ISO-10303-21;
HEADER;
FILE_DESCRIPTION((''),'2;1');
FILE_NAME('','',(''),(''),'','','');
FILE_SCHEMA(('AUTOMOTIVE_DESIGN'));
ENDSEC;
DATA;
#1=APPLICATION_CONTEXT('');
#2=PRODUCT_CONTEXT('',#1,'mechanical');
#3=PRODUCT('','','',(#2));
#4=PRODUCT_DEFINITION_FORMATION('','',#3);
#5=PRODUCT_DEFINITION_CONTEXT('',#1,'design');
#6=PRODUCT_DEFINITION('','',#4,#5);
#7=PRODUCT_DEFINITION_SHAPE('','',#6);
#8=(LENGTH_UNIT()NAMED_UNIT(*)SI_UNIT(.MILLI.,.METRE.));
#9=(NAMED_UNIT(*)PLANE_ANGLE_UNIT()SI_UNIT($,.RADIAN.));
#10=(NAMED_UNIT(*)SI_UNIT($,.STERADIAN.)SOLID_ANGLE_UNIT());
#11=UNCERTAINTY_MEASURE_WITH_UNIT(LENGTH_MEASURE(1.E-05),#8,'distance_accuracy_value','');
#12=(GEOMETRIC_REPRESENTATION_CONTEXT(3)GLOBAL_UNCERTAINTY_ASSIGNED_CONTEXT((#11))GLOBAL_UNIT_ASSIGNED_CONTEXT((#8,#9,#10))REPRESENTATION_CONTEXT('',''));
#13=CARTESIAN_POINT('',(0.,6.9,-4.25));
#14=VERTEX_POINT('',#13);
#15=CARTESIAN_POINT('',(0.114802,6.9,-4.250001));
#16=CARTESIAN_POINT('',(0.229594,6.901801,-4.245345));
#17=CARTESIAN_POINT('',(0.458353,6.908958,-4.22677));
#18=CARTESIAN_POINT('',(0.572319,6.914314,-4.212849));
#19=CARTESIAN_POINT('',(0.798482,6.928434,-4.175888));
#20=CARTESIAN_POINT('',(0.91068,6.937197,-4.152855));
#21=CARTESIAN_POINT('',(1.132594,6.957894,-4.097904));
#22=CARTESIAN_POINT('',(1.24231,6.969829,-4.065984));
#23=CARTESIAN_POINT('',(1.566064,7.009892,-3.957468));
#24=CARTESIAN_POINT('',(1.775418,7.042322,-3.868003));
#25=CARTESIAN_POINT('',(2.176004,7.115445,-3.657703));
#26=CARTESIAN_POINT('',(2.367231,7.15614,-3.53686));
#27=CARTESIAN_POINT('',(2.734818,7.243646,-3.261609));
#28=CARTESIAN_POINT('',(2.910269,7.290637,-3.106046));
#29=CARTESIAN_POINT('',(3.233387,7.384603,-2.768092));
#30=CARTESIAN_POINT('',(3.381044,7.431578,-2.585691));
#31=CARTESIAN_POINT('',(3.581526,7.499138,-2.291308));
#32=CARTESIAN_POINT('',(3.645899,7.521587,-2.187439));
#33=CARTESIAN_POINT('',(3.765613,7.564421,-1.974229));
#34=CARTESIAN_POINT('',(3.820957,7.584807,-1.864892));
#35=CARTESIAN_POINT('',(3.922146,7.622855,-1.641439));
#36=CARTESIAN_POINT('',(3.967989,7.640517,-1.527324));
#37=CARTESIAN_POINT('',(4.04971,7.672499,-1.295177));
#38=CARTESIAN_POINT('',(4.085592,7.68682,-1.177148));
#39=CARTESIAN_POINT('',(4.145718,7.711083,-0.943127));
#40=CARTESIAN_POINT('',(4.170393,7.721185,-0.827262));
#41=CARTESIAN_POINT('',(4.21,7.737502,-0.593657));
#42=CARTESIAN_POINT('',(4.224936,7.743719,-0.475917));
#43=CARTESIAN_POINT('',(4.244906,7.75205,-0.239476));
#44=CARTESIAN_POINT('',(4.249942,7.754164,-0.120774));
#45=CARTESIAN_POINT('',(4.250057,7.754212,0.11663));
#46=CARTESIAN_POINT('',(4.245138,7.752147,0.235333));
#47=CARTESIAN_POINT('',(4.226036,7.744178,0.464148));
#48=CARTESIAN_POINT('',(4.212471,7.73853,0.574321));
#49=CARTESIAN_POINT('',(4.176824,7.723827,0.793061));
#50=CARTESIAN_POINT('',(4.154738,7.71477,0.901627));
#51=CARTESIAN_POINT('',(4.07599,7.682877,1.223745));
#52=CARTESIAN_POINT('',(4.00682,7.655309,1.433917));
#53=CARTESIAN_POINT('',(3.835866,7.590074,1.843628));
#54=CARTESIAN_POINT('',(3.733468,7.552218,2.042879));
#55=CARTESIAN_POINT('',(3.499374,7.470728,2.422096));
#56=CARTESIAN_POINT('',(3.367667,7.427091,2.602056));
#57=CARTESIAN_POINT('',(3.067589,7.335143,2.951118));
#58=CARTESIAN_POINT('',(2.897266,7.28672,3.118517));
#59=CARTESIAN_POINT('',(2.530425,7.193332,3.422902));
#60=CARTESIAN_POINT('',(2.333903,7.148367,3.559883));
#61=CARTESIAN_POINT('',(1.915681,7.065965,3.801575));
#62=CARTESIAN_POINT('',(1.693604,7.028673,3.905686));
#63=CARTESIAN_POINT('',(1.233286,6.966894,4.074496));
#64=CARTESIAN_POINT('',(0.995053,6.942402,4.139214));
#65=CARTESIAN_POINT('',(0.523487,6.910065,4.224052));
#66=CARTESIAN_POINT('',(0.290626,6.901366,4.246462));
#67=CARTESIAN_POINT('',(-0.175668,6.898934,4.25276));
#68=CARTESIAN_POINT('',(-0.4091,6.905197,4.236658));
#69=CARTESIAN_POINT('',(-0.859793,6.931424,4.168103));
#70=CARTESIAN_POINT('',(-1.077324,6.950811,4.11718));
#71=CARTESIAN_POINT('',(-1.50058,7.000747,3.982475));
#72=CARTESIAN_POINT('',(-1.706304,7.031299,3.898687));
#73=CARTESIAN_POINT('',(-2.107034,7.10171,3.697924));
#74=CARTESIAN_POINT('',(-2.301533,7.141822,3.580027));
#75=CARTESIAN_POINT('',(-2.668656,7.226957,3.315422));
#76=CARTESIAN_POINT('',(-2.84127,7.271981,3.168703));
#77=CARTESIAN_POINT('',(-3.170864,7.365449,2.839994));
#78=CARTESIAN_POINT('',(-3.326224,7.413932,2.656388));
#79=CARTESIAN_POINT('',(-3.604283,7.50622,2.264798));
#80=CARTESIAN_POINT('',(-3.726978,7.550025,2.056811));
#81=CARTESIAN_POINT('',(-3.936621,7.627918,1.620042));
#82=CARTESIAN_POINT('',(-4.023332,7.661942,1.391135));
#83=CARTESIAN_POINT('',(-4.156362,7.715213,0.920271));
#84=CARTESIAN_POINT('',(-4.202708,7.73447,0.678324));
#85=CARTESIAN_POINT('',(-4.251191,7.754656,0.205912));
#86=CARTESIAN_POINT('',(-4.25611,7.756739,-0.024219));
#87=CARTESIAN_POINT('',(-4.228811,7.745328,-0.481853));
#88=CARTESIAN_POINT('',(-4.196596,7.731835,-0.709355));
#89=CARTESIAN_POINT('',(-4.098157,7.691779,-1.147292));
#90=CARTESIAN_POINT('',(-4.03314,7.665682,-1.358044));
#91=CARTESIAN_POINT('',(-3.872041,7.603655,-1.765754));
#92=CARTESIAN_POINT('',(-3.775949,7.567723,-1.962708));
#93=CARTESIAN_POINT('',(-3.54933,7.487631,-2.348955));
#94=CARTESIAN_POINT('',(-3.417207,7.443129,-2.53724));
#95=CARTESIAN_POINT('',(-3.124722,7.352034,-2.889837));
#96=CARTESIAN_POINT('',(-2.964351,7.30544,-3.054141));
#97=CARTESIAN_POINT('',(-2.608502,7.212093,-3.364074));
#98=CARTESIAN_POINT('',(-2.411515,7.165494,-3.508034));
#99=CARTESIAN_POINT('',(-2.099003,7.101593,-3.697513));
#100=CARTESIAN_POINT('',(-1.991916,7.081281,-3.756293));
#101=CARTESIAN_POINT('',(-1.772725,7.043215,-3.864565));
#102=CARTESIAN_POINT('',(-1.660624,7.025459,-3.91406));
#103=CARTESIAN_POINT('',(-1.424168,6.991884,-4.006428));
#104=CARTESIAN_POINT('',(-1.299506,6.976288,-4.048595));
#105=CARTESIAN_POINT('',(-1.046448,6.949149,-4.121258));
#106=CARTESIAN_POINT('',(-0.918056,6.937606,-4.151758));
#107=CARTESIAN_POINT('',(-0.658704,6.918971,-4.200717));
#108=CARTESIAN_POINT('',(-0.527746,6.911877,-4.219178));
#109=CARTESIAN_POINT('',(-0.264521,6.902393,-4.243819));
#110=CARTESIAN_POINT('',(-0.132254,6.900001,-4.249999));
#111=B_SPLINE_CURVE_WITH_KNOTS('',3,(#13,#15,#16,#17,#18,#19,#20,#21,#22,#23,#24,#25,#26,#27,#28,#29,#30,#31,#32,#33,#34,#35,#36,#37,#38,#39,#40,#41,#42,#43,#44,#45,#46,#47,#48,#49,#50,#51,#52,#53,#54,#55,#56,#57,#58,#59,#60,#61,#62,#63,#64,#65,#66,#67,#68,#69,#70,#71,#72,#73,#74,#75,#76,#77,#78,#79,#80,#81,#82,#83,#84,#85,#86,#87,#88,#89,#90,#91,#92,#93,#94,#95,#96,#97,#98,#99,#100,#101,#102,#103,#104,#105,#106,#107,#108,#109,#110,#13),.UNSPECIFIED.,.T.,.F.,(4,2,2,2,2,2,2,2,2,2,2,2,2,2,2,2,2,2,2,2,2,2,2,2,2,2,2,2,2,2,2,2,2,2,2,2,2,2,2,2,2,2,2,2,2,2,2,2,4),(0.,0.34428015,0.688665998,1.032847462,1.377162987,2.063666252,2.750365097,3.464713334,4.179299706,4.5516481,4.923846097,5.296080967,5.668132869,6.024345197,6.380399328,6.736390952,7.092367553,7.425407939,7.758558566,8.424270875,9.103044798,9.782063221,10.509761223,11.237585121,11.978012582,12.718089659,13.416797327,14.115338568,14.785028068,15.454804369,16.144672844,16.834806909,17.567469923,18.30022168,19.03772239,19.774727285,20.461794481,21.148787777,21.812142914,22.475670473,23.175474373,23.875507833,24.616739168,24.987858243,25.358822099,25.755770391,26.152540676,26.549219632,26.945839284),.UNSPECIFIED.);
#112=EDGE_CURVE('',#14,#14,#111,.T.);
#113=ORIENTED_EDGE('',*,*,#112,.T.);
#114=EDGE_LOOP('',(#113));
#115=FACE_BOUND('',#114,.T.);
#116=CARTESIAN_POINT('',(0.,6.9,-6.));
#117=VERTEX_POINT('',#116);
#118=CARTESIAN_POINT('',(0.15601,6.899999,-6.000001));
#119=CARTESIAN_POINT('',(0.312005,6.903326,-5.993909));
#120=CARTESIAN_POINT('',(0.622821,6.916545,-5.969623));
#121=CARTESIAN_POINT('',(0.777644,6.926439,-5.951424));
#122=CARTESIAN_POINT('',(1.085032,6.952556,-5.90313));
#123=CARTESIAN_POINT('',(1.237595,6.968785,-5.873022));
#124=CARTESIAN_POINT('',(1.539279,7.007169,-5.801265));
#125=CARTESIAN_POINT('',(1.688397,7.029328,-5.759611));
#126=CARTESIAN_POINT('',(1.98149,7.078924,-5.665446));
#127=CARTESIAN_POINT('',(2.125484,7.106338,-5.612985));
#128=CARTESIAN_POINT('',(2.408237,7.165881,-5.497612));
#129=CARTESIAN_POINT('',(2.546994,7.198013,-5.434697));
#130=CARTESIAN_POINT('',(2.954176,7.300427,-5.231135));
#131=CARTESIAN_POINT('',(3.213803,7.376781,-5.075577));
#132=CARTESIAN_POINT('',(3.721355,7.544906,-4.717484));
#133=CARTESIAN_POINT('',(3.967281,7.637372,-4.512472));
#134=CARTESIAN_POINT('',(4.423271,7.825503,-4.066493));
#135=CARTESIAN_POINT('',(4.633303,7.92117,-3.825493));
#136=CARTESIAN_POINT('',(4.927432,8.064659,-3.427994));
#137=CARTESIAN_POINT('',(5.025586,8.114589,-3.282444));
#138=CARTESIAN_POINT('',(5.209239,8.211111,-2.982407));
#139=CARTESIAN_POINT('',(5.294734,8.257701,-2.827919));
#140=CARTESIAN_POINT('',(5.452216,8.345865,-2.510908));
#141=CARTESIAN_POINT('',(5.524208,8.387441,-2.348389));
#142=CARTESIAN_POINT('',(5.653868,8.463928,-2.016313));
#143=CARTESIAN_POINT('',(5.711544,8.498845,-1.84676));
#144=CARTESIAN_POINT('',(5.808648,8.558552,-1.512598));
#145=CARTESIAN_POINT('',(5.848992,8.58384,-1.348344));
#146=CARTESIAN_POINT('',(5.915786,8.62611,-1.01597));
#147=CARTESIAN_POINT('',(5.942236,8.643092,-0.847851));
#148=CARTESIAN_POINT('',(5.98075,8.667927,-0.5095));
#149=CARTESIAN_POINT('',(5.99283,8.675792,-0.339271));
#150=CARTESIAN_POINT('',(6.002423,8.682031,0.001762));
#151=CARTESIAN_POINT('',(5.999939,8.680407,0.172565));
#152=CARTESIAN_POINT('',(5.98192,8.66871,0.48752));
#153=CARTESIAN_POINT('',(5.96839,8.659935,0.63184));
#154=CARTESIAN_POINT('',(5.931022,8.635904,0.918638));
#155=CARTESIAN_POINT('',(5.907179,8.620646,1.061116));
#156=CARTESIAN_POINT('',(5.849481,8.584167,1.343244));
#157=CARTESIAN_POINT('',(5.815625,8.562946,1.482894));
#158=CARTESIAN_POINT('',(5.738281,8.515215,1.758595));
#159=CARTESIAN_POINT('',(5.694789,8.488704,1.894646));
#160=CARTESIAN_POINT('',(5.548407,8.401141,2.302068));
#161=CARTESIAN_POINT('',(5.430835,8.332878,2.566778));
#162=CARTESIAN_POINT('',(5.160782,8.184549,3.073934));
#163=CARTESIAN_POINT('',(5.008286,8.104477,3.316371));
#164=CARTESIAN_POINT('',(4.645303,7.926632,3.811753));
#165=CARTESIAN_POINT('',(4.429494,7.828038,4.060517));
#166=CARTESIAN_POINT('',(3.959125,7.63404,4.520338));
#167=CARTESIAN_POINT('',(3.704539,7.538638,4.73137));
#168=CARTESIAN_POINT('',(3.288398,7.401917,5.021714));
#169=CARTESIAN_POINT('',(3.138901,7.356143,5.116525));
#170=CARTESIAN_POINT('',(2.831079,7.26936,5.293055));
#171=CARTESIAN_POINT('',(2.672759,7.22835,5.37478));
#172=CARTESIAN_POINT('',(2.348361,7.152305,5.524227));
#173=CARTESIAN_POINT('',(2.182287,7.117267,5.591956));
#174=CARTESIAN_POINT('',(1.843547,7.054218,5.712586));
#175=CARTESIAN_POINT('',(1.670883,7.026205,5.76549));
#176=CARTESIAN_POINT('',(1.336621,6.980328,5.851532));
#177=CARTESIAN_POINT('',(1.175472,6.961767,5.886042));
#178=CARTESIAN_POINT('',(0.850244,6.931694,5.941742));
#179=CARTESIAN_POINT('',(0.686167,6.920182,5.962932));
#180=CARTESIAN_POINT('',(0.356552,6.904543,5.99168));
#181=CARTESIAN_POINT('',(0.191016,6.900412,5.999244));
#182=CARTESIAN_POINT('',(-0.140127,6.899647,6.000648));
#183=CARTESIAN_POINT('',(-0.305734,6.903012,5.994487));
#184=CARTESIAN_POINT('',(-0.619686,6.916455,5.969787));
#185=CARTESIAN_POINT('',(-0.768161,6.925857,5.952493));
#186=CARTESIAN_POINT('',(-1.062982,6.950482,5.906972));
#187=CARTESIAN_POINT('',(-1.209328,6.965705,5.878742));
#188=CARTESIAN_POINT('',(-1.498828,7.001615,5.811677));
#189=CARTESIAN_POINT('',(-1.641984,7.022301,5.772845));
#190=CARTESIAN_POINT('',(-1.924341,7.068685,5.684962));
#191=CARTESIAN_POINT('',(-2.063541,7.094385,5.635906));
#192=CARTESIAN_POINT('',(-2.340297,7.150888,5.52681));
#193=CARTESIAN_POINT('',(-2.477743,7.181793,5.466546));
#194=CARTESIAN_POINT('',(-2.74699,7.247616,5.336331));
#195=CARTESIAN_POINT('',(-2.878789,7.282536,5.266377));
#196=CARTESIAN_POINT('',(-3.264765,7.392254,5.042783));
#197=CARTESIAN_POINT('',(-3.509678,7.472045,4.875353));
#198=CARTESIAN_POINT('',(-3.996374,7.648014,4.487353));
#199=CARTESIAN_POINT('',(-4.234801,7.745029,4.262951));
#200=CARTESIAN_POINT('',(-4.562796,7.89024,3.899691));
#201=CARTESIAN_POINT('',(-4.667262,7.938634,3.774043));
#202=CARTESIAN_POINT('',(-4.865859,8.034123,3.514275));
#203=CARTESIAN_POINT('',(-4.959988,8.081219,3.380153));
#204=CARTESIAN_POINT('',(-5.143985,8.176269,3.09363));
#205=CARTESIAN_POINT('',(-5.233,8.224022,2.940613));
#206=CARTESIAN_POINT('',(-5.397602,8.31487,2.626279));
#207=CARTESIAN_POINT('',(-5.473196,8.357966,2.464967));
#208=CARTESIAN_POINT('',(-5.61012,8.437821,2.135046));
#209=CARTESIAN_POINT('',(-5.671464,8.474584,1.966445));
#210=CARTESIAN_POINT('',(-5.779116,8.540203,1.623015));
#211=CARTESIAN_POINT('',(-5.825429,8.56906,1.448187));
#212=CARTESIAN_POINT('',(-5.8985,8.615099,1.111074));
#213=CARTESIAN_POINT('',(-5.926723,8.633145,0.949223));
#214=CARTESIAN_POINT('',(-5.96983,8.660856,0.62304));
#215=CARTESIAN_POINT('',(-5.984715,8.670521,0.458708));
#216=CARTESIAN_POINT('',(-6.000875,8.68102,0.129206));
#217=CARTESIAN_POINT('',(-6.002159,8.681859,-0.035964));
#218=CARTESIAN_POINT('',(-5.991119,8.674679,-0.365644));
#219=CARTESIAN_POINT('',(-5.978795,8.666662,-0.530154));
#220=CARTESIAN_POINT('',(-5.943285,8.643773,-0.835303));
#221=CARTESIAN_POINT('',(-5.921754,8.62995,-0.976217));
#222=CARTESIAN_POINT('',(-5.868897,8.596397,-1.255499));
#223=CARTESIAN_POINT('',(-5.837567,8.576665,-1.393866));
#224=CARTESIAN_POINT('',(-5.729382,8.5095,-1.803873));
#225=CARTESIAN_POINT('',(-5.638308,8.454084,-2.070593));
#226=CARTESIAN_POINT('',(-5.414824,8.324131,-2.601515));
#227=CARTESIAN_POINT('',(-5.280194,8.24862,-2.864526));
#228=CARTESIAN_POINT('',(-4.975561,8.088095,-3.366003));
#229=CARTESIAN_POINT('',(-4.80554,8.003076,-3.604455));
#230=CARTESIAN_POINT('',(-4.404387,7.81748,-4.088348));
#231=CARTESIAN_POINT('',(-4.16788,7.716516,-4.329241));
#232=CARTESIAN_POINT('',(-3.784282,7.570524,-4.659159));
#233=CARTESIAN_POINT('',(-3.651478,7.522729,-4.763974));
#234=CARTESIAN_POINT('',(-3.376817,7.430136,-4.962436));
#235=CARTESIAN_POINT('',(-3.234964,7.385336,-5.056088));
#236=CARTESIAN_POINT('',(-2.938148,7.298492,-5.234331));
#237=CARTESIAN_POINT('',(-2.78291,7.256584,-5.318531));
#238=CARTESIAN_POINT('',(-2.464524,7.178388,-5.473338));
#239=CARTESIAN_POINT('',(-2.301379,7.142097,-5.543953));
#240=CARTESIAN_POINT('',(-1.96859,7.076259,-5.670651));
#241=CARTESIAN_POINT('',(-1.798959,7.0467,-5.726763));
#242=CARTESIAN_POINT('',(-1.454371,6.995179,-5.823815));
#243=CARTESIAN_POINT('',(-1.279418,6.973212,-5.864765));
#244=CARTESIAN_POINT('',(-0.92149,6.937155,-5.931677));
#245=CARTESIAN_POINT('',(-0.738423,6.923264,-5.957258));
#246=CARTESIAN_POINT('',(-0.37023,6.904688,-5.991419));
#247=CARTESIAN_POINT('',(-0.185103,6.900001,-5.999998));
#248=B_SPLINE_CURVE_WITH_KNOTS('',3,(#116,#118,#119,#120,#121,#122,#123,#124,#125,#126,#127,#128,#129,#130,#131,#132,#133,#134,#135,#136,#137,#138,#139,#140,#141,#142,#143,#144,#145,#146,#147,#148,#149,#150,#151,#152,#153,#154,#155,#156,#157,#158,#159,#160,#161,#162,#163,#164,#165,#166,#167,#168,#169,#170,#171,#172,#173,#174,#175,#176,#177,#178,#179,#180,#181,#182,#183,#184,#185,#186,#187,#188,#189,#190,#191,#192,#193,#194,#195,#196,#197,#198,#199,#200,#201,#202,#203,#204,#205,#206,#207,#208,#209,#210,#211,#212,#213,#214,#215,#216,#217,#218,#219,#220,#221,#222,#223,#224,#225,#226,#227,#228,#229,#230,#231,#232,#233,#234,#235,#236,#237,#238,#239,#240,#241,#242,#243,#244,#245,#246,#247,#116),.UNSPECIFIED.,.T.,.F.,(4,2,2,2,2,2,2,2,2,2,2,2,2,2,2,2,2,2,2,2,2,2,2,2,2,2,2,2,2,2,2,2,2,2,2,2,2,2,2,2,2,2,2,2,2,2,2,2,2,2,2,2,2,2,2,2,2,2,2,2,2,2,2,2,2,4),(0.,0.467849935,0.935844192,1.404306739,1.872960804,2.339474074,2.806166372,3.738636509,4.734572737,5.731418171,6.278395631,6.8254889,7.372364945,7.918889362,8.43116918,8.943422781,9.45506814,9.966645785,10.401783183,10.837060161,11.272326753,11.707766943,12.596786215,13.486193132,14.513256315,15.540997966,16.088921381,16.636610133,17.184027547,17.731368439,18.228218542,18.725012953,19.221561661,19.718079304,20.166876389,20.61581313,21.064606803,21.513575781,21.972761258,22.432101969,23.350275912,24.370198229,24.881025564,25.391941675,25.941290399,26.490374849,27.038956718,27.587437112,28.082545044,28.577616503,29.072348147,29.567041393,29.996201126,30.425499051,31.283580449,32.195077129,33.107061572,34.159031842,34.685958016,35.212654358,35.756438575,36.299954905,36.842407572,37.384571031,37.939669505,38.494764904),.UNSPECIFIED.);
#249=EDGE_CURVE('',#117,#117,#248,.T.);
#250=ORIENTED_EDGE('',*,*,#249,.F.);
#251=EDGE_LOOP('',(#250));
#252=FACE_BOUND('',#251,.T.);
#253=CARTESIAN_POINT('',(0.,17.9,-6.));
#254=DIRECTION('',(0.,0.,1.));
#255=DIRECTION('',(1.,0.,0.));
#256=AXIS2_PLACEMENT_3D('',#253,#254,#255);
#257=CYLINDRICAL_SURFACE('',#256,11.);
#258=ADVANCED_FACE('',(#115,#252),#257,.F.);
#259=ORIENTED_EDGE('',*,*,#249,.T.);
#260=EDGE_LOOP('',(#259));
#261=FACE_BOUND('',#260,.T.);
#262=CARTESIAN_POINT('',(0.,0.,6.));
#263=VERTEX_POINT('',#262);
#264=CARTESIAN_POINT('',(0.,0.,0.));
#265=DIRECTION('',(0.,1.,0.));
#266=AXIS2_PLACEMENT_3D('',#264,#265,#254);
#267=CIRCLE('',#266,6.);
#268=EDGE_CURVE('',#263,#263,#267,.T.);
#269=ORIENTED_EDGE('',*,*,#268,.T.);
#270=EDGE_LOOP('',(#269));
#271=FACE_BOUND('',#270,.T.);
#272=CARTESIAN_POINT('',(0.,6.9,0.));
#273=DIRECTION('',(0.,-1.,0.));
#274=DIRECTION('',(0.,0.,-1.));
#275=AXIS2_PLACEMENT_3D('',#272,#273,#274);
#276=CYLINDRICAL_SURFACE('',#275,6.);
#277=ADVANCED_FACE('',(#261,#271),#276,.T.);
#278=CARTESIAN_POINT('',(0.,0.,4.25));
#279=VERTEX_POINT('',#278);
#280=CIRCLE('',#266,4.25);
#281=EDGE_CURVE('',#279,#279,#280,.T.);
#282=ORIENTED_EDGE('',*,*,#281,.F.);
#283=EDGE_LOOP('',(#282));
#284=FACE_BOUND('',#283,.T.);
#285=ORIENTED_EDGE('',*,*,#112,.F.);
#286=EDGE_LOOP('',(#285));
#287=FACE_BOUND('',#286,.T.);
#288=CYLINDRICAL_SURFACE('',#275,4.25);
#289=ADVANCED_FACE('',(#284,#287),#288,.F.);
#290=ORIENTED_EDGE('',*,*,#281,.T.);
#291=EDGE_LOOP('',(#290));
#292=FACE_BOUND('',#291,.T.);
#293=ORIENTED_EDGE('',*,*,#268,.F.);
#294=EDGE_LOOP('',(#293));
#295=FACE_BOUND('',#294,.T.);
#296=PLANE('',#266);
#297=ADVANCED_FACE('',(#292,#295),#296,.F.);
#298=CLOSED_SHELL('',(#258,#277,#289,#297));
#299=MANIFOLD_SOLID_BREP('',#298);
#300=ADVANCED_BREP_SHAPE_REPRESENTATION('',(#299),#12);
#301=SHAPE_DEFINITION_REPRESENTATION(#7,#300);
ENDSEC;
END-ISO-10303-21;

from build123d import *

# Parameters (mm, degrees)
SKETCH1_R               = 6
SKETCH1_R_2             = 4.25
BOSS_EXTRUDE1_DEPTH     = 6.9
SKETCH2_R               = 6
SKETCH2_R_2             = 4.25
BOSS_EXTRUDE2_DEPTH     = 4
CUT_EXTRUDE1_DEPTH      = 14.813399292
CUT_EXTRUDE1_DEPTH_BACK = 14.813399292
SKETCH3_R               = 11


with BuildPart() as part:
    # Sketch1 → Boss-Extrude1 (new body)
    with BuildSketch(Plane(origin=(0, 0, 0), x_dir=(1, 0, 0), z_dir=(0, 1, 0))):
        with Locations(Location((0, 0, 0), (0, 0, 90))):
            Circle(SKETCH1_R)
        with Locations(Location((0, 0, 0), (0, 0, 90))):
            Circle(SKETCH1_R_2, mode=Mode.SUBTRACT)
    extrude(amount=BOSS_EXTRUDE1_DEPTH)

    # Sketch2 → Boss-Extrude2 (add)
    with BuildSketch(Plane(origin=(0, 6.9, 0), x_dir=(1, 0, 0), z_dir=(0, 1, 0))):
        with Locations(Location((0, 0, 0), (0, 0, 90))):
            Circle(SKETCH2_R)
        with Locations(Location((0, 0, 0), (0, 0, 90))):
            Circle(SKETCH2_R_2, mode=Mode.SUBTRACT)
    extrude(amount=BOSS_EXTRUDE2_DEPTH)

    # Sketch3 → Cut-Extrude1 (cut, two sides: drawn at the far end of the back side and taken through both)
    with BuildSketch(Plane.XY.offset(-CUT_EXTRUDE1_DEPTH_BACK)):
        with Locations((0, 17.9)):
            Circle(SKETCH3_R)
    extrude(amount=CUT_EXTRUDE1_DEPTH + CUT_EXTRUDE1_DEPTH_BACK, mode=Mode.SUBTRACT)


solid = part.part
